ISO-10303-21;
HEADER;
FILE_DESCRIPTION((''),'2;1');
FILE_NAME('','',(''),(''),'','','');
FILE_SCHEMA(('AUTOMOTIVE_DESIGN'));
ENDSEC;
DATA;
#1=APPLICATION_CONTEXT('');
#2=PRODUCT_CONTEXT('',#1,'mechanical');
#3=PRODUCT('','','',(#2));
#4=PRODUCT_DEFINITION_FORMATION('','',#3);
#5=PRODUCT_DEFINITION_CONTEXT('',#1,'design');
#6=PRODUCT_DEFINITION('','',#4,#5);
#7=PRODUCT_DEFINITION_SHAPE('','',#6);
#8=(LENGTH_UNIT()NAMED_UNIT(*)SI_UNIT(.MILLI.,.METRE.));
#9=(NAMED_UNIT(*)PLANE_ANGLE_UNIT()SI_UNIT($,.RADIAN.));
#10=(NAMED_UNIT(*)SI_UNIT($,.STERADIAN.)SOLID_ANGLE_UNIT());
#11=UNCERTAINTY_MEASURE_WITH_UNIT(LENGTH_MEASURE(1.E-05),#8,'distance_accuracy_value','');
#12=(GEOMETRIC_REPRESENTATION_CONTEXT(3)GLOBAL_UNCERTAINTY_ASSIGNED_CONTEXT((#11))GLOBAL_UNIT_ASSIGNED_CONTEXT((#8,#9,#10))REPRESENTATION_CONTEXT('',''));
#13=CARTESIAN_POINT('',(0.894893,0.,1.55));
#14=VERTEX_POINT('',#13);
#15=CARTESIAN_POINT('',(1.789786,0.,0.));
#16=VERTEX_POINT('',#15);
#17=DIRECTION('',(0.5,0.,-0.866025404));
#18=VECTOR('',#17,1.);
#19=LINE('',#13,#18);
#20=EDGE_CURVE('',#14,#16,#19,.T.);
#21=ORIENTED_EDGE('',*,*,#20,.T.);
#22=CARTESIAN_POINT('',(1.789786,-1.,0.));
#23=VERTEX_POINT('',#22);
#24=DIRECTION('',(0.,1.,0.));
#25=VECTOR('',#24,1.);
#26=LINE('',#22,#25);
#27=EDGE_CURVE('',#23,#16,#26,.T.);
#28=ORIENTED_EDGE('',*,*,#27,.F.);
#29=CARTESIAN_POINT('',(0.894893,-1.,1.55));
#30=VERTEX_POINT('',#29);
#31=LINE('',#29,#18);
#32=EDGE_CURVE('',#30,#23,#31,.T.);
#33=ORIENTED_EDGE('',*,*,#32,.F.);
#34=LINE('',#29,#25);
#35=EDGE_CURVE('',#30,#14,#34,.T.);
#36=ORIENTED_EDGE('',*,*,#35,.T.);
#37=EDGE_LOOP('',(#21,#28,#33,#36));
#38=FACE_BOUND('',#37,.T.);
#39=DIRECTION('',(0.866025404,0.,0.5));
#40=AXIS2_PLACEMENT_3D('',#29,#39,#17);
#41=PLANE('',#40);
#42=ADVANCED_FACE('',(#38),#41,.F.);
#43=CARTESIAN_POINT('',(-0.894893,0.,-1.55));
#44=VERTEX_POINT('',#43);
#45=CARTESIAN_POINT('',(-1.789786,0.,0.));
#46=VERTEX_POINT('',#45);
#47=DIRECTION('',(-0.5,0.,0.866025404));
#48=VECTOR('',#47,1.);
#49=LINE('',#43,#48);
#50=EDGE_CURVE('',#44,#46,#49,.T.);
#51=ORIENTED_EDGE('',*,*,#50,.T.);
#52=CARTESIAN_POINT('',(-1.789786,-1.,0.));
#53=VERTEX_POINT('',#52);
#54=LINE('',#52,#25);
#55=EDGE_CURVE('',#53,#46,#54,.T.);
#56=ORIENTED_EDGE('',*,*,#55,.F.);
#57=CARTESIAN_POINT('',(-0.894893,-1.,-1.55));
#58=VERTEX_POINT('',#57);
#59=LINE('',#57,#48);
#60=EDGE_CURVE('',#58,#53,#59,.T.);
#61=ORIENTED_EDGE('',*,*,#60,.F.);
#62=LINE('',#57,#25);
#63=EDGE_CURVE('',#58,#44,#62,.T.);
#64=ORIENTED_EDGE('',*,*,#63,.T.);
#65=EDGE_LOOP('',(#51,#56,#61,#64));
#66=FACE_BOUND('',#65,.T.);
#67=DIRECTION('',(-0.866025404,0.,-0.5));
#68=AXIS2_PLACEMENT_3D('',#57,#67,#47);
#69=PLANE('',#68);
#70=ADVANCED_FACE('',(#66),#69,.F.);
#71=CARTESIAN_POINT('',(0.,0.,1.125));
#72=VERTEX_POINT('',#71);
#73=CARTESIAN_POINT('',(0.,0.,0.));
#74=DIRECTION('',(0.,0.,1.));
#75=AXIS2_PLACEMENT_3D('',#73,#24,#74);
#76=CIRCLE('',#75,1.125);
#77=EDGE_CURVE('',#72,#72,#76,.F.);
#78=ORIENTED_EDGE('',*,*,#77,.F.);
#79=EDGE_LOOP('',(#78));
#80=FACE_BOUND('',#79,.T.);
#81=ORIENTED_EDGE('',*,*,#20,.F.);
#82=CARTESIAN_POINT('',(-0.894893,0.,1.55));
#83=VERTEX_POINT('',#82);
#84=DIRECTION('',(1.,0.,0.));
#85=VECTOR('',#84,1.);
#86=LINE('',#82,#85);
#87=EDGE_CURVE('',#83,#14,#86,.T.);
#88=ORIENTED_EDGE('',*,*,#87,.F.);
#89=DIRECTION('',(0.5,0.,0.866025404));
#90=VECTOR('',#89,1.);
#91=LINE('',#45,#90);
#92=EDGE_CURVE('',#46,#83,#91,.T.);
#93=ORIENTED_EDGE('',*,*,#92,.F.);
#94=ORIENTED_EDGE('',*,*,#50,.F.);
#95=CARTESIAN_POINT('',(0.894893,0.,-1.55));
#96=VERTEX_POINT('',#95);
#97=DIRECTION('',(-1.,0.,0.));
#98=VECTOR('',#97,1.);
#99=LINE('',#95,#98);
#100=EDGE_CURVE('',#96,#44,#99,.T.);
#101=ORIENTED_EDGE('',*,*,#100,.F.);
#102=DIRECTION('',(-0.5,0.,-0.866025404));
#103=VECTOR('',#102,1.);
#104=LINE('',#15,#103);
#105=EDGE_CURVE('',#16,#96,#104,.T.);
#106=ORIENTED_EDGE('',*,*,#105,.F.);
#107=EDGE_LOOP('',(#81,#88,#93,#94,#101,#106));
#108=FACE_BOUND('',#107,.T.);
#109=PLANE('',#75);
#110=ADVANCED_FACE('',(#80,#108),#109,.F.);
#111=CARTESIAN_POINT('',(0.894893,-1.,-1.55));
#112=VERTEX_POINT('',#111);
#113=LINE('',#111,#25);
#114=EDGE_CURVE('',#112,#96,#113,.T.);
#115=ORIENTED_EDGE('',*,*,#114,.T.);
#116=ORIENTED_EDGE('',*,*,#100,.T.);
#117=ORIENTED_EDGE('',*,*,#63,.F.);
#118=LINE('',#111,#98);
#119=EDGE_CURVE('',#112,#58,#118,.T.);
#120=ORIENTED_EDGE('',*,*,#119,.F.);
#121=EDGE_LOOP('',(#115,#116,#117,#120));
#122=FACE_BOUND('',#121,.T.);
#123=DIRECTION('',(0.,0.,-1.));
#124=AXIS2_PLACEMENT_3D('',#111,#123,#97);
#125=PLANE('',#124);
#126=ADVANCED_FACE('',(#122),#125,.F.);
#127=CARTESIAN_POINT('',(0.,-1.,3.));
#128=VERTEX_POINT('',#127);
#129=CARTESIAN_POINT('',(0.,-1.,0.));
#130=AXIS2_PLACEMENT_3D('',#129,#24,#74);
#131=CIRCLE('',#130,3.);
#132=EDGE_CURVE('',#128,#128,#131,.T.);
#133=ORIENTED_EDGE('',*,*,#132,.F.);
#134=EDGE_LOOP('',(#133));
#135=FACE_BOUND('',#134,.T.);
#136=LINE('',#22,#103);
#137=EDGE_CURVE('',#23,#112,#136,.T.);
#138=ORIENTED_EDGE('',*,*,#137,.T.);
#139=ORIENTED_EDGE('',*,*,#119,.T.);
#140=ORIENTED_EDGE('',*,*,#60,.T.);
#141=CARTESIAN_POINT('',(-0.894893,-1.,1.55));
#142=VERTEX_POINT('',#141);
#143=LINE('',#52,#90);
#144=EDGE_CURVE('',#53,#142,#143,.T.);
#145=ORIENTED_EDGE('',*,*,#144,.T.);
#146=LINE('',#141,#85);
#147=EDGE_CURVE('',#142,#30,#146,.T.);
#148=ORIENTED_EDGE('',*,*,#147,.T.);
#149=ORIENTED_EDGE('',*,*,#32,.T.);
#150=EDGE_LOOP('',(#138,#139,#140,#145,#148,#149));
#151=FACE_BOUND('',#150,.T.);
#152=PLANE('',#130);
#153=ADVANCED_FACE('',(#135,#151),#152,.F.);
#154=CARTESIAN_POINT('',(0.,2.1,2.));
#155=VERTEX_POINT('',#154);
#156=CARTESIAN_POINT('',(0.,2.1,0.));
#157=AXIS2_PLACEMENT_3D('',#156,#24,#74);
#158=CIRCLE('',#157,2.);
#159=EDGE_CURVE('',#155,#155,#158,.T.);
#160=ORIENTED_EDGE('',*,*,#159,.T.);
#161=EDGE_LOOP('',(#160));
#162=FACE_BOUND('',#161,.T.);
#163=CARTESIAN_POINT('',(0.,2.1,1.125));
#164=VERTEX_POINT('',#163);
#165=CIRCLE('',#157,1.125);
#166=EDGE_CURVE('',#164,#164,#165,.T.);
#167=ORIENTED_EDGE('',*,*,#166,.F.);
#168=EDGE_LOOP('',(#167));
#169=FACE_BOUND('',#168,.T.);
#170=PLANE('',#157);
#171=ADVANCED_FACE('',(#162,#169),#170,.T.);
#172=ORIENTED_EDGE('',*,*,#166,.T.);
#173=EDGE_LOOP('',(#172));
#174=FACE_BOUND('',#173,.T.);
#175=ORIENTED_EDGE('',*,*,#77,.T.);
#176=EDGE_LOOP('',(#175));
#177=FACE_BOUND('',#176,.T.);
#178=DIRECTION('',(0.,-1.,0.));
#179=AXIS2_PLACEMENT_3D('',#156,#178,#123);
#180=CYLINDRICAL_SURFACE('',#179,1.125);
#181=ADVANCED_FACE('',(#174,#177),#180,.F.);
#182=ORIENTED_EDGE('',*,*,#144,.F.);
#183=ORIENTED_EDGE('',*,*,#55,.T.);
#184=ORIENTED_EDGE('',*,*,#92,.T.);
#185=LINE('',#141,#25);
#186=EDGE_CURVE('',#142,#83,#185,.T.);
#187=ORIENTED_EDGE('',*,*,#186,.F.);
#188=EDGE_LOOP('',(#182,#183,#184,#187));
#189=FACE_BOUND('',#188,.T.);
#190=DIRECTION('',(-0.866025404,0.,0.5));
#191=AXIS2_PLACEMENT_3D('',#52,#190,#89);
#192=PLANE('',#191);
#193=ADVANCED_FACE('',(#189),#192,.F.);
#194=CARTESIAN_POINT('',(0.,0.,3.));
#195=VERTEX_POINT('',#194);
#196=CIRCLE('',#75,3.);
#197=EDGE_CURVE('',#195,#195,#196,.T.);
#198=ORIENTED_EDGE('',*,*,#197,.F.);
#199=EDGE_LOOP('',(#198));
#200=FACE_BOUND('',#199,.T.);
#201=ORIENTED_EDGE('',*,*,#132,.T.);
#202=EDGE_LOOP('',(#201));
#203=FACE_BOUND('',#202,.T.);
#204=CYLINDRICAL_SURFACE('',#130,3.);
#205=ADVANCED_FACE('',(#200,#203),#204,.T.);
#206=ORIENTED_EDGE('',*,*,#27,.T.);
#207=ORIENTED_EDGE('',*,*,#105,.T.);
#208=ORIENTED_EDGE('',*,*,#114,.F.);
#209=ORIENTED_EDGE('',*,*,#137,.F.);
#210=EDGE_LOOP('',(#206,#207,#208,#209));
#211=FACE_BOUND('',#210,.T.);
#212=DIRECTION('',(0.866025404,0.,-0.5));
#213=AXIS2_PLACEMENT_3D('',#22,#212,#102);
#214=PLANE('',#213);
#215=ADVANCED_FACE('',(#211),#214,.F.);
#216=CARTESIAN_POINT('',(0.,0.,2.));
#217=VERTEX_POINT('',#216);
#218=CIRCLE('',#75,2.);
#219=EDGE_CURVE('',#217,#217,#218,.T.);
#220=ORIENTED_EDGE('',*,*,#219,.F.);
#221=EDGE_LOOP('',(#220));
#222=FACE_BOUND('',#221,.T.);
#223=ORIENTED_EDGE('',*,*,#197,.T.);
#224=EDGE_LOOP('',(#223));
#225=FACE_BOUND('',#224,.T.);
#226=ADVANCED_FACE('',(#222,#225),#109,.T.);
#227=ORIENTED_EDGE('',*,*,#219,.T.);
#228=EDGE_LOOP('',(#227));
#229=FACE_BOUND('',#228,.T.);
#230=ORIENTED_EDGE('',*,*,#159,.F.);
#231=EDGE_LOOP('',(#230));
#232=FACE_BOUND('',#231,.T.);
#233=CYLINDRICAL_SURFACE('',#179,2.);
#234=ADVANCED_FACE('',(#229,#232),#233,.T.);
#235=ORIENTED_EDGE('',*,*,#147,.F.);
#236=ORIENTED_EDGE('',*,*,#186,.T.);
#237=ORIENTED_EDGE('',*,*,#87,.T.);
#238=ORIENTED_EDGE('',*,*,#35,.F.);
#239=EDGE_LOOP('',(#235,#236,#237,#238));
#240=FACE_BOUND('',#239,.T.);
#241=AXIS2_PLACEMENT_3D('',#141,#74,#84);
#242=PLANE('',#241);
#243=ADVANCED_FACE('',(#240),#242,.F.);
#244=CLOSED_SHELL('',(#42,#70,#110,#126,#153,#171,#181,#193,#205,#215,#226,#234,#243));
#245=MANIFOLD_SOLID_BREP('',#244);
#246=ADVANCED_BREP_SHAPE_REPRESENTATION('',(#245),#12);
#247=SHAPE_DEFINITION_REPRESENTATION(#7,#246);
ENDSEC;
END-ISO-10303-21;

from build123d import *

# Parameters (mm, degrees)
SKETCH1_R               = 2
BOSS_EXTRUDE1_DEPTH     = 2.1
SKETCH1_3_R             = 3
BOSS_EXTRUDE2_DEPTH     = 1
CUT_EXTRUDE1_DEPTH      = 5.733920151
CUT_EXTRUDE1_DEPTH_BACK = 5.733920151
SKETCH1_4_R             = 1.125


with BuildPart() as part:
    # Sketch1 → Boss-Extrude1 (new body)
    with BuildSketch(Plane(origin=(0, 0, 0), x_dir=(1, 0, 0), z_dir=(0, 1, 0))):
        Circle(SKETCH1_R)
    extrude(amount=BOSS_EXTRUDE1_DEPTH)

    # Sketch1<3> → Boss-Extrude2 (add)
    with BuildSketch(Plane(origin=(0, 0, 0), x_dir=(1, 0, 0), z_dir=(0, 1, 0))):
        Circle(SKETCH1_3_R)
        Polygon((0.894892917, -1.55), (1.789785834, 0), (0.894892917, 1.55), (-0.894892917, 1.55), (-1.789785834, 0), (-0.894892917, -1.55), align=None, mode=Mode.SUBTRACT)
    extrude(amount=-BOSS_EXTRUDE2_DEPTH)

    # Sketch1<4> → Cut-Extrude1 (cut, two sides: drawn at the far end of the back side and taken through both)
    with BuildSketch(Plane(origin=(0, 0, 0), x_dir=(1, 0, 0), z_dir=(0, 1, 0)).offset(-CUT_EXTRUDE1_DEPTH_BACK)):
        Circle(SKETCH1_4_R)
    extrude(amount=CUT_EXTRUDE1_DEPTH + CUT_EXTRUDE1_DEPTH_BACK, mode=Mode.SUBTRACT)


solid = part.part
